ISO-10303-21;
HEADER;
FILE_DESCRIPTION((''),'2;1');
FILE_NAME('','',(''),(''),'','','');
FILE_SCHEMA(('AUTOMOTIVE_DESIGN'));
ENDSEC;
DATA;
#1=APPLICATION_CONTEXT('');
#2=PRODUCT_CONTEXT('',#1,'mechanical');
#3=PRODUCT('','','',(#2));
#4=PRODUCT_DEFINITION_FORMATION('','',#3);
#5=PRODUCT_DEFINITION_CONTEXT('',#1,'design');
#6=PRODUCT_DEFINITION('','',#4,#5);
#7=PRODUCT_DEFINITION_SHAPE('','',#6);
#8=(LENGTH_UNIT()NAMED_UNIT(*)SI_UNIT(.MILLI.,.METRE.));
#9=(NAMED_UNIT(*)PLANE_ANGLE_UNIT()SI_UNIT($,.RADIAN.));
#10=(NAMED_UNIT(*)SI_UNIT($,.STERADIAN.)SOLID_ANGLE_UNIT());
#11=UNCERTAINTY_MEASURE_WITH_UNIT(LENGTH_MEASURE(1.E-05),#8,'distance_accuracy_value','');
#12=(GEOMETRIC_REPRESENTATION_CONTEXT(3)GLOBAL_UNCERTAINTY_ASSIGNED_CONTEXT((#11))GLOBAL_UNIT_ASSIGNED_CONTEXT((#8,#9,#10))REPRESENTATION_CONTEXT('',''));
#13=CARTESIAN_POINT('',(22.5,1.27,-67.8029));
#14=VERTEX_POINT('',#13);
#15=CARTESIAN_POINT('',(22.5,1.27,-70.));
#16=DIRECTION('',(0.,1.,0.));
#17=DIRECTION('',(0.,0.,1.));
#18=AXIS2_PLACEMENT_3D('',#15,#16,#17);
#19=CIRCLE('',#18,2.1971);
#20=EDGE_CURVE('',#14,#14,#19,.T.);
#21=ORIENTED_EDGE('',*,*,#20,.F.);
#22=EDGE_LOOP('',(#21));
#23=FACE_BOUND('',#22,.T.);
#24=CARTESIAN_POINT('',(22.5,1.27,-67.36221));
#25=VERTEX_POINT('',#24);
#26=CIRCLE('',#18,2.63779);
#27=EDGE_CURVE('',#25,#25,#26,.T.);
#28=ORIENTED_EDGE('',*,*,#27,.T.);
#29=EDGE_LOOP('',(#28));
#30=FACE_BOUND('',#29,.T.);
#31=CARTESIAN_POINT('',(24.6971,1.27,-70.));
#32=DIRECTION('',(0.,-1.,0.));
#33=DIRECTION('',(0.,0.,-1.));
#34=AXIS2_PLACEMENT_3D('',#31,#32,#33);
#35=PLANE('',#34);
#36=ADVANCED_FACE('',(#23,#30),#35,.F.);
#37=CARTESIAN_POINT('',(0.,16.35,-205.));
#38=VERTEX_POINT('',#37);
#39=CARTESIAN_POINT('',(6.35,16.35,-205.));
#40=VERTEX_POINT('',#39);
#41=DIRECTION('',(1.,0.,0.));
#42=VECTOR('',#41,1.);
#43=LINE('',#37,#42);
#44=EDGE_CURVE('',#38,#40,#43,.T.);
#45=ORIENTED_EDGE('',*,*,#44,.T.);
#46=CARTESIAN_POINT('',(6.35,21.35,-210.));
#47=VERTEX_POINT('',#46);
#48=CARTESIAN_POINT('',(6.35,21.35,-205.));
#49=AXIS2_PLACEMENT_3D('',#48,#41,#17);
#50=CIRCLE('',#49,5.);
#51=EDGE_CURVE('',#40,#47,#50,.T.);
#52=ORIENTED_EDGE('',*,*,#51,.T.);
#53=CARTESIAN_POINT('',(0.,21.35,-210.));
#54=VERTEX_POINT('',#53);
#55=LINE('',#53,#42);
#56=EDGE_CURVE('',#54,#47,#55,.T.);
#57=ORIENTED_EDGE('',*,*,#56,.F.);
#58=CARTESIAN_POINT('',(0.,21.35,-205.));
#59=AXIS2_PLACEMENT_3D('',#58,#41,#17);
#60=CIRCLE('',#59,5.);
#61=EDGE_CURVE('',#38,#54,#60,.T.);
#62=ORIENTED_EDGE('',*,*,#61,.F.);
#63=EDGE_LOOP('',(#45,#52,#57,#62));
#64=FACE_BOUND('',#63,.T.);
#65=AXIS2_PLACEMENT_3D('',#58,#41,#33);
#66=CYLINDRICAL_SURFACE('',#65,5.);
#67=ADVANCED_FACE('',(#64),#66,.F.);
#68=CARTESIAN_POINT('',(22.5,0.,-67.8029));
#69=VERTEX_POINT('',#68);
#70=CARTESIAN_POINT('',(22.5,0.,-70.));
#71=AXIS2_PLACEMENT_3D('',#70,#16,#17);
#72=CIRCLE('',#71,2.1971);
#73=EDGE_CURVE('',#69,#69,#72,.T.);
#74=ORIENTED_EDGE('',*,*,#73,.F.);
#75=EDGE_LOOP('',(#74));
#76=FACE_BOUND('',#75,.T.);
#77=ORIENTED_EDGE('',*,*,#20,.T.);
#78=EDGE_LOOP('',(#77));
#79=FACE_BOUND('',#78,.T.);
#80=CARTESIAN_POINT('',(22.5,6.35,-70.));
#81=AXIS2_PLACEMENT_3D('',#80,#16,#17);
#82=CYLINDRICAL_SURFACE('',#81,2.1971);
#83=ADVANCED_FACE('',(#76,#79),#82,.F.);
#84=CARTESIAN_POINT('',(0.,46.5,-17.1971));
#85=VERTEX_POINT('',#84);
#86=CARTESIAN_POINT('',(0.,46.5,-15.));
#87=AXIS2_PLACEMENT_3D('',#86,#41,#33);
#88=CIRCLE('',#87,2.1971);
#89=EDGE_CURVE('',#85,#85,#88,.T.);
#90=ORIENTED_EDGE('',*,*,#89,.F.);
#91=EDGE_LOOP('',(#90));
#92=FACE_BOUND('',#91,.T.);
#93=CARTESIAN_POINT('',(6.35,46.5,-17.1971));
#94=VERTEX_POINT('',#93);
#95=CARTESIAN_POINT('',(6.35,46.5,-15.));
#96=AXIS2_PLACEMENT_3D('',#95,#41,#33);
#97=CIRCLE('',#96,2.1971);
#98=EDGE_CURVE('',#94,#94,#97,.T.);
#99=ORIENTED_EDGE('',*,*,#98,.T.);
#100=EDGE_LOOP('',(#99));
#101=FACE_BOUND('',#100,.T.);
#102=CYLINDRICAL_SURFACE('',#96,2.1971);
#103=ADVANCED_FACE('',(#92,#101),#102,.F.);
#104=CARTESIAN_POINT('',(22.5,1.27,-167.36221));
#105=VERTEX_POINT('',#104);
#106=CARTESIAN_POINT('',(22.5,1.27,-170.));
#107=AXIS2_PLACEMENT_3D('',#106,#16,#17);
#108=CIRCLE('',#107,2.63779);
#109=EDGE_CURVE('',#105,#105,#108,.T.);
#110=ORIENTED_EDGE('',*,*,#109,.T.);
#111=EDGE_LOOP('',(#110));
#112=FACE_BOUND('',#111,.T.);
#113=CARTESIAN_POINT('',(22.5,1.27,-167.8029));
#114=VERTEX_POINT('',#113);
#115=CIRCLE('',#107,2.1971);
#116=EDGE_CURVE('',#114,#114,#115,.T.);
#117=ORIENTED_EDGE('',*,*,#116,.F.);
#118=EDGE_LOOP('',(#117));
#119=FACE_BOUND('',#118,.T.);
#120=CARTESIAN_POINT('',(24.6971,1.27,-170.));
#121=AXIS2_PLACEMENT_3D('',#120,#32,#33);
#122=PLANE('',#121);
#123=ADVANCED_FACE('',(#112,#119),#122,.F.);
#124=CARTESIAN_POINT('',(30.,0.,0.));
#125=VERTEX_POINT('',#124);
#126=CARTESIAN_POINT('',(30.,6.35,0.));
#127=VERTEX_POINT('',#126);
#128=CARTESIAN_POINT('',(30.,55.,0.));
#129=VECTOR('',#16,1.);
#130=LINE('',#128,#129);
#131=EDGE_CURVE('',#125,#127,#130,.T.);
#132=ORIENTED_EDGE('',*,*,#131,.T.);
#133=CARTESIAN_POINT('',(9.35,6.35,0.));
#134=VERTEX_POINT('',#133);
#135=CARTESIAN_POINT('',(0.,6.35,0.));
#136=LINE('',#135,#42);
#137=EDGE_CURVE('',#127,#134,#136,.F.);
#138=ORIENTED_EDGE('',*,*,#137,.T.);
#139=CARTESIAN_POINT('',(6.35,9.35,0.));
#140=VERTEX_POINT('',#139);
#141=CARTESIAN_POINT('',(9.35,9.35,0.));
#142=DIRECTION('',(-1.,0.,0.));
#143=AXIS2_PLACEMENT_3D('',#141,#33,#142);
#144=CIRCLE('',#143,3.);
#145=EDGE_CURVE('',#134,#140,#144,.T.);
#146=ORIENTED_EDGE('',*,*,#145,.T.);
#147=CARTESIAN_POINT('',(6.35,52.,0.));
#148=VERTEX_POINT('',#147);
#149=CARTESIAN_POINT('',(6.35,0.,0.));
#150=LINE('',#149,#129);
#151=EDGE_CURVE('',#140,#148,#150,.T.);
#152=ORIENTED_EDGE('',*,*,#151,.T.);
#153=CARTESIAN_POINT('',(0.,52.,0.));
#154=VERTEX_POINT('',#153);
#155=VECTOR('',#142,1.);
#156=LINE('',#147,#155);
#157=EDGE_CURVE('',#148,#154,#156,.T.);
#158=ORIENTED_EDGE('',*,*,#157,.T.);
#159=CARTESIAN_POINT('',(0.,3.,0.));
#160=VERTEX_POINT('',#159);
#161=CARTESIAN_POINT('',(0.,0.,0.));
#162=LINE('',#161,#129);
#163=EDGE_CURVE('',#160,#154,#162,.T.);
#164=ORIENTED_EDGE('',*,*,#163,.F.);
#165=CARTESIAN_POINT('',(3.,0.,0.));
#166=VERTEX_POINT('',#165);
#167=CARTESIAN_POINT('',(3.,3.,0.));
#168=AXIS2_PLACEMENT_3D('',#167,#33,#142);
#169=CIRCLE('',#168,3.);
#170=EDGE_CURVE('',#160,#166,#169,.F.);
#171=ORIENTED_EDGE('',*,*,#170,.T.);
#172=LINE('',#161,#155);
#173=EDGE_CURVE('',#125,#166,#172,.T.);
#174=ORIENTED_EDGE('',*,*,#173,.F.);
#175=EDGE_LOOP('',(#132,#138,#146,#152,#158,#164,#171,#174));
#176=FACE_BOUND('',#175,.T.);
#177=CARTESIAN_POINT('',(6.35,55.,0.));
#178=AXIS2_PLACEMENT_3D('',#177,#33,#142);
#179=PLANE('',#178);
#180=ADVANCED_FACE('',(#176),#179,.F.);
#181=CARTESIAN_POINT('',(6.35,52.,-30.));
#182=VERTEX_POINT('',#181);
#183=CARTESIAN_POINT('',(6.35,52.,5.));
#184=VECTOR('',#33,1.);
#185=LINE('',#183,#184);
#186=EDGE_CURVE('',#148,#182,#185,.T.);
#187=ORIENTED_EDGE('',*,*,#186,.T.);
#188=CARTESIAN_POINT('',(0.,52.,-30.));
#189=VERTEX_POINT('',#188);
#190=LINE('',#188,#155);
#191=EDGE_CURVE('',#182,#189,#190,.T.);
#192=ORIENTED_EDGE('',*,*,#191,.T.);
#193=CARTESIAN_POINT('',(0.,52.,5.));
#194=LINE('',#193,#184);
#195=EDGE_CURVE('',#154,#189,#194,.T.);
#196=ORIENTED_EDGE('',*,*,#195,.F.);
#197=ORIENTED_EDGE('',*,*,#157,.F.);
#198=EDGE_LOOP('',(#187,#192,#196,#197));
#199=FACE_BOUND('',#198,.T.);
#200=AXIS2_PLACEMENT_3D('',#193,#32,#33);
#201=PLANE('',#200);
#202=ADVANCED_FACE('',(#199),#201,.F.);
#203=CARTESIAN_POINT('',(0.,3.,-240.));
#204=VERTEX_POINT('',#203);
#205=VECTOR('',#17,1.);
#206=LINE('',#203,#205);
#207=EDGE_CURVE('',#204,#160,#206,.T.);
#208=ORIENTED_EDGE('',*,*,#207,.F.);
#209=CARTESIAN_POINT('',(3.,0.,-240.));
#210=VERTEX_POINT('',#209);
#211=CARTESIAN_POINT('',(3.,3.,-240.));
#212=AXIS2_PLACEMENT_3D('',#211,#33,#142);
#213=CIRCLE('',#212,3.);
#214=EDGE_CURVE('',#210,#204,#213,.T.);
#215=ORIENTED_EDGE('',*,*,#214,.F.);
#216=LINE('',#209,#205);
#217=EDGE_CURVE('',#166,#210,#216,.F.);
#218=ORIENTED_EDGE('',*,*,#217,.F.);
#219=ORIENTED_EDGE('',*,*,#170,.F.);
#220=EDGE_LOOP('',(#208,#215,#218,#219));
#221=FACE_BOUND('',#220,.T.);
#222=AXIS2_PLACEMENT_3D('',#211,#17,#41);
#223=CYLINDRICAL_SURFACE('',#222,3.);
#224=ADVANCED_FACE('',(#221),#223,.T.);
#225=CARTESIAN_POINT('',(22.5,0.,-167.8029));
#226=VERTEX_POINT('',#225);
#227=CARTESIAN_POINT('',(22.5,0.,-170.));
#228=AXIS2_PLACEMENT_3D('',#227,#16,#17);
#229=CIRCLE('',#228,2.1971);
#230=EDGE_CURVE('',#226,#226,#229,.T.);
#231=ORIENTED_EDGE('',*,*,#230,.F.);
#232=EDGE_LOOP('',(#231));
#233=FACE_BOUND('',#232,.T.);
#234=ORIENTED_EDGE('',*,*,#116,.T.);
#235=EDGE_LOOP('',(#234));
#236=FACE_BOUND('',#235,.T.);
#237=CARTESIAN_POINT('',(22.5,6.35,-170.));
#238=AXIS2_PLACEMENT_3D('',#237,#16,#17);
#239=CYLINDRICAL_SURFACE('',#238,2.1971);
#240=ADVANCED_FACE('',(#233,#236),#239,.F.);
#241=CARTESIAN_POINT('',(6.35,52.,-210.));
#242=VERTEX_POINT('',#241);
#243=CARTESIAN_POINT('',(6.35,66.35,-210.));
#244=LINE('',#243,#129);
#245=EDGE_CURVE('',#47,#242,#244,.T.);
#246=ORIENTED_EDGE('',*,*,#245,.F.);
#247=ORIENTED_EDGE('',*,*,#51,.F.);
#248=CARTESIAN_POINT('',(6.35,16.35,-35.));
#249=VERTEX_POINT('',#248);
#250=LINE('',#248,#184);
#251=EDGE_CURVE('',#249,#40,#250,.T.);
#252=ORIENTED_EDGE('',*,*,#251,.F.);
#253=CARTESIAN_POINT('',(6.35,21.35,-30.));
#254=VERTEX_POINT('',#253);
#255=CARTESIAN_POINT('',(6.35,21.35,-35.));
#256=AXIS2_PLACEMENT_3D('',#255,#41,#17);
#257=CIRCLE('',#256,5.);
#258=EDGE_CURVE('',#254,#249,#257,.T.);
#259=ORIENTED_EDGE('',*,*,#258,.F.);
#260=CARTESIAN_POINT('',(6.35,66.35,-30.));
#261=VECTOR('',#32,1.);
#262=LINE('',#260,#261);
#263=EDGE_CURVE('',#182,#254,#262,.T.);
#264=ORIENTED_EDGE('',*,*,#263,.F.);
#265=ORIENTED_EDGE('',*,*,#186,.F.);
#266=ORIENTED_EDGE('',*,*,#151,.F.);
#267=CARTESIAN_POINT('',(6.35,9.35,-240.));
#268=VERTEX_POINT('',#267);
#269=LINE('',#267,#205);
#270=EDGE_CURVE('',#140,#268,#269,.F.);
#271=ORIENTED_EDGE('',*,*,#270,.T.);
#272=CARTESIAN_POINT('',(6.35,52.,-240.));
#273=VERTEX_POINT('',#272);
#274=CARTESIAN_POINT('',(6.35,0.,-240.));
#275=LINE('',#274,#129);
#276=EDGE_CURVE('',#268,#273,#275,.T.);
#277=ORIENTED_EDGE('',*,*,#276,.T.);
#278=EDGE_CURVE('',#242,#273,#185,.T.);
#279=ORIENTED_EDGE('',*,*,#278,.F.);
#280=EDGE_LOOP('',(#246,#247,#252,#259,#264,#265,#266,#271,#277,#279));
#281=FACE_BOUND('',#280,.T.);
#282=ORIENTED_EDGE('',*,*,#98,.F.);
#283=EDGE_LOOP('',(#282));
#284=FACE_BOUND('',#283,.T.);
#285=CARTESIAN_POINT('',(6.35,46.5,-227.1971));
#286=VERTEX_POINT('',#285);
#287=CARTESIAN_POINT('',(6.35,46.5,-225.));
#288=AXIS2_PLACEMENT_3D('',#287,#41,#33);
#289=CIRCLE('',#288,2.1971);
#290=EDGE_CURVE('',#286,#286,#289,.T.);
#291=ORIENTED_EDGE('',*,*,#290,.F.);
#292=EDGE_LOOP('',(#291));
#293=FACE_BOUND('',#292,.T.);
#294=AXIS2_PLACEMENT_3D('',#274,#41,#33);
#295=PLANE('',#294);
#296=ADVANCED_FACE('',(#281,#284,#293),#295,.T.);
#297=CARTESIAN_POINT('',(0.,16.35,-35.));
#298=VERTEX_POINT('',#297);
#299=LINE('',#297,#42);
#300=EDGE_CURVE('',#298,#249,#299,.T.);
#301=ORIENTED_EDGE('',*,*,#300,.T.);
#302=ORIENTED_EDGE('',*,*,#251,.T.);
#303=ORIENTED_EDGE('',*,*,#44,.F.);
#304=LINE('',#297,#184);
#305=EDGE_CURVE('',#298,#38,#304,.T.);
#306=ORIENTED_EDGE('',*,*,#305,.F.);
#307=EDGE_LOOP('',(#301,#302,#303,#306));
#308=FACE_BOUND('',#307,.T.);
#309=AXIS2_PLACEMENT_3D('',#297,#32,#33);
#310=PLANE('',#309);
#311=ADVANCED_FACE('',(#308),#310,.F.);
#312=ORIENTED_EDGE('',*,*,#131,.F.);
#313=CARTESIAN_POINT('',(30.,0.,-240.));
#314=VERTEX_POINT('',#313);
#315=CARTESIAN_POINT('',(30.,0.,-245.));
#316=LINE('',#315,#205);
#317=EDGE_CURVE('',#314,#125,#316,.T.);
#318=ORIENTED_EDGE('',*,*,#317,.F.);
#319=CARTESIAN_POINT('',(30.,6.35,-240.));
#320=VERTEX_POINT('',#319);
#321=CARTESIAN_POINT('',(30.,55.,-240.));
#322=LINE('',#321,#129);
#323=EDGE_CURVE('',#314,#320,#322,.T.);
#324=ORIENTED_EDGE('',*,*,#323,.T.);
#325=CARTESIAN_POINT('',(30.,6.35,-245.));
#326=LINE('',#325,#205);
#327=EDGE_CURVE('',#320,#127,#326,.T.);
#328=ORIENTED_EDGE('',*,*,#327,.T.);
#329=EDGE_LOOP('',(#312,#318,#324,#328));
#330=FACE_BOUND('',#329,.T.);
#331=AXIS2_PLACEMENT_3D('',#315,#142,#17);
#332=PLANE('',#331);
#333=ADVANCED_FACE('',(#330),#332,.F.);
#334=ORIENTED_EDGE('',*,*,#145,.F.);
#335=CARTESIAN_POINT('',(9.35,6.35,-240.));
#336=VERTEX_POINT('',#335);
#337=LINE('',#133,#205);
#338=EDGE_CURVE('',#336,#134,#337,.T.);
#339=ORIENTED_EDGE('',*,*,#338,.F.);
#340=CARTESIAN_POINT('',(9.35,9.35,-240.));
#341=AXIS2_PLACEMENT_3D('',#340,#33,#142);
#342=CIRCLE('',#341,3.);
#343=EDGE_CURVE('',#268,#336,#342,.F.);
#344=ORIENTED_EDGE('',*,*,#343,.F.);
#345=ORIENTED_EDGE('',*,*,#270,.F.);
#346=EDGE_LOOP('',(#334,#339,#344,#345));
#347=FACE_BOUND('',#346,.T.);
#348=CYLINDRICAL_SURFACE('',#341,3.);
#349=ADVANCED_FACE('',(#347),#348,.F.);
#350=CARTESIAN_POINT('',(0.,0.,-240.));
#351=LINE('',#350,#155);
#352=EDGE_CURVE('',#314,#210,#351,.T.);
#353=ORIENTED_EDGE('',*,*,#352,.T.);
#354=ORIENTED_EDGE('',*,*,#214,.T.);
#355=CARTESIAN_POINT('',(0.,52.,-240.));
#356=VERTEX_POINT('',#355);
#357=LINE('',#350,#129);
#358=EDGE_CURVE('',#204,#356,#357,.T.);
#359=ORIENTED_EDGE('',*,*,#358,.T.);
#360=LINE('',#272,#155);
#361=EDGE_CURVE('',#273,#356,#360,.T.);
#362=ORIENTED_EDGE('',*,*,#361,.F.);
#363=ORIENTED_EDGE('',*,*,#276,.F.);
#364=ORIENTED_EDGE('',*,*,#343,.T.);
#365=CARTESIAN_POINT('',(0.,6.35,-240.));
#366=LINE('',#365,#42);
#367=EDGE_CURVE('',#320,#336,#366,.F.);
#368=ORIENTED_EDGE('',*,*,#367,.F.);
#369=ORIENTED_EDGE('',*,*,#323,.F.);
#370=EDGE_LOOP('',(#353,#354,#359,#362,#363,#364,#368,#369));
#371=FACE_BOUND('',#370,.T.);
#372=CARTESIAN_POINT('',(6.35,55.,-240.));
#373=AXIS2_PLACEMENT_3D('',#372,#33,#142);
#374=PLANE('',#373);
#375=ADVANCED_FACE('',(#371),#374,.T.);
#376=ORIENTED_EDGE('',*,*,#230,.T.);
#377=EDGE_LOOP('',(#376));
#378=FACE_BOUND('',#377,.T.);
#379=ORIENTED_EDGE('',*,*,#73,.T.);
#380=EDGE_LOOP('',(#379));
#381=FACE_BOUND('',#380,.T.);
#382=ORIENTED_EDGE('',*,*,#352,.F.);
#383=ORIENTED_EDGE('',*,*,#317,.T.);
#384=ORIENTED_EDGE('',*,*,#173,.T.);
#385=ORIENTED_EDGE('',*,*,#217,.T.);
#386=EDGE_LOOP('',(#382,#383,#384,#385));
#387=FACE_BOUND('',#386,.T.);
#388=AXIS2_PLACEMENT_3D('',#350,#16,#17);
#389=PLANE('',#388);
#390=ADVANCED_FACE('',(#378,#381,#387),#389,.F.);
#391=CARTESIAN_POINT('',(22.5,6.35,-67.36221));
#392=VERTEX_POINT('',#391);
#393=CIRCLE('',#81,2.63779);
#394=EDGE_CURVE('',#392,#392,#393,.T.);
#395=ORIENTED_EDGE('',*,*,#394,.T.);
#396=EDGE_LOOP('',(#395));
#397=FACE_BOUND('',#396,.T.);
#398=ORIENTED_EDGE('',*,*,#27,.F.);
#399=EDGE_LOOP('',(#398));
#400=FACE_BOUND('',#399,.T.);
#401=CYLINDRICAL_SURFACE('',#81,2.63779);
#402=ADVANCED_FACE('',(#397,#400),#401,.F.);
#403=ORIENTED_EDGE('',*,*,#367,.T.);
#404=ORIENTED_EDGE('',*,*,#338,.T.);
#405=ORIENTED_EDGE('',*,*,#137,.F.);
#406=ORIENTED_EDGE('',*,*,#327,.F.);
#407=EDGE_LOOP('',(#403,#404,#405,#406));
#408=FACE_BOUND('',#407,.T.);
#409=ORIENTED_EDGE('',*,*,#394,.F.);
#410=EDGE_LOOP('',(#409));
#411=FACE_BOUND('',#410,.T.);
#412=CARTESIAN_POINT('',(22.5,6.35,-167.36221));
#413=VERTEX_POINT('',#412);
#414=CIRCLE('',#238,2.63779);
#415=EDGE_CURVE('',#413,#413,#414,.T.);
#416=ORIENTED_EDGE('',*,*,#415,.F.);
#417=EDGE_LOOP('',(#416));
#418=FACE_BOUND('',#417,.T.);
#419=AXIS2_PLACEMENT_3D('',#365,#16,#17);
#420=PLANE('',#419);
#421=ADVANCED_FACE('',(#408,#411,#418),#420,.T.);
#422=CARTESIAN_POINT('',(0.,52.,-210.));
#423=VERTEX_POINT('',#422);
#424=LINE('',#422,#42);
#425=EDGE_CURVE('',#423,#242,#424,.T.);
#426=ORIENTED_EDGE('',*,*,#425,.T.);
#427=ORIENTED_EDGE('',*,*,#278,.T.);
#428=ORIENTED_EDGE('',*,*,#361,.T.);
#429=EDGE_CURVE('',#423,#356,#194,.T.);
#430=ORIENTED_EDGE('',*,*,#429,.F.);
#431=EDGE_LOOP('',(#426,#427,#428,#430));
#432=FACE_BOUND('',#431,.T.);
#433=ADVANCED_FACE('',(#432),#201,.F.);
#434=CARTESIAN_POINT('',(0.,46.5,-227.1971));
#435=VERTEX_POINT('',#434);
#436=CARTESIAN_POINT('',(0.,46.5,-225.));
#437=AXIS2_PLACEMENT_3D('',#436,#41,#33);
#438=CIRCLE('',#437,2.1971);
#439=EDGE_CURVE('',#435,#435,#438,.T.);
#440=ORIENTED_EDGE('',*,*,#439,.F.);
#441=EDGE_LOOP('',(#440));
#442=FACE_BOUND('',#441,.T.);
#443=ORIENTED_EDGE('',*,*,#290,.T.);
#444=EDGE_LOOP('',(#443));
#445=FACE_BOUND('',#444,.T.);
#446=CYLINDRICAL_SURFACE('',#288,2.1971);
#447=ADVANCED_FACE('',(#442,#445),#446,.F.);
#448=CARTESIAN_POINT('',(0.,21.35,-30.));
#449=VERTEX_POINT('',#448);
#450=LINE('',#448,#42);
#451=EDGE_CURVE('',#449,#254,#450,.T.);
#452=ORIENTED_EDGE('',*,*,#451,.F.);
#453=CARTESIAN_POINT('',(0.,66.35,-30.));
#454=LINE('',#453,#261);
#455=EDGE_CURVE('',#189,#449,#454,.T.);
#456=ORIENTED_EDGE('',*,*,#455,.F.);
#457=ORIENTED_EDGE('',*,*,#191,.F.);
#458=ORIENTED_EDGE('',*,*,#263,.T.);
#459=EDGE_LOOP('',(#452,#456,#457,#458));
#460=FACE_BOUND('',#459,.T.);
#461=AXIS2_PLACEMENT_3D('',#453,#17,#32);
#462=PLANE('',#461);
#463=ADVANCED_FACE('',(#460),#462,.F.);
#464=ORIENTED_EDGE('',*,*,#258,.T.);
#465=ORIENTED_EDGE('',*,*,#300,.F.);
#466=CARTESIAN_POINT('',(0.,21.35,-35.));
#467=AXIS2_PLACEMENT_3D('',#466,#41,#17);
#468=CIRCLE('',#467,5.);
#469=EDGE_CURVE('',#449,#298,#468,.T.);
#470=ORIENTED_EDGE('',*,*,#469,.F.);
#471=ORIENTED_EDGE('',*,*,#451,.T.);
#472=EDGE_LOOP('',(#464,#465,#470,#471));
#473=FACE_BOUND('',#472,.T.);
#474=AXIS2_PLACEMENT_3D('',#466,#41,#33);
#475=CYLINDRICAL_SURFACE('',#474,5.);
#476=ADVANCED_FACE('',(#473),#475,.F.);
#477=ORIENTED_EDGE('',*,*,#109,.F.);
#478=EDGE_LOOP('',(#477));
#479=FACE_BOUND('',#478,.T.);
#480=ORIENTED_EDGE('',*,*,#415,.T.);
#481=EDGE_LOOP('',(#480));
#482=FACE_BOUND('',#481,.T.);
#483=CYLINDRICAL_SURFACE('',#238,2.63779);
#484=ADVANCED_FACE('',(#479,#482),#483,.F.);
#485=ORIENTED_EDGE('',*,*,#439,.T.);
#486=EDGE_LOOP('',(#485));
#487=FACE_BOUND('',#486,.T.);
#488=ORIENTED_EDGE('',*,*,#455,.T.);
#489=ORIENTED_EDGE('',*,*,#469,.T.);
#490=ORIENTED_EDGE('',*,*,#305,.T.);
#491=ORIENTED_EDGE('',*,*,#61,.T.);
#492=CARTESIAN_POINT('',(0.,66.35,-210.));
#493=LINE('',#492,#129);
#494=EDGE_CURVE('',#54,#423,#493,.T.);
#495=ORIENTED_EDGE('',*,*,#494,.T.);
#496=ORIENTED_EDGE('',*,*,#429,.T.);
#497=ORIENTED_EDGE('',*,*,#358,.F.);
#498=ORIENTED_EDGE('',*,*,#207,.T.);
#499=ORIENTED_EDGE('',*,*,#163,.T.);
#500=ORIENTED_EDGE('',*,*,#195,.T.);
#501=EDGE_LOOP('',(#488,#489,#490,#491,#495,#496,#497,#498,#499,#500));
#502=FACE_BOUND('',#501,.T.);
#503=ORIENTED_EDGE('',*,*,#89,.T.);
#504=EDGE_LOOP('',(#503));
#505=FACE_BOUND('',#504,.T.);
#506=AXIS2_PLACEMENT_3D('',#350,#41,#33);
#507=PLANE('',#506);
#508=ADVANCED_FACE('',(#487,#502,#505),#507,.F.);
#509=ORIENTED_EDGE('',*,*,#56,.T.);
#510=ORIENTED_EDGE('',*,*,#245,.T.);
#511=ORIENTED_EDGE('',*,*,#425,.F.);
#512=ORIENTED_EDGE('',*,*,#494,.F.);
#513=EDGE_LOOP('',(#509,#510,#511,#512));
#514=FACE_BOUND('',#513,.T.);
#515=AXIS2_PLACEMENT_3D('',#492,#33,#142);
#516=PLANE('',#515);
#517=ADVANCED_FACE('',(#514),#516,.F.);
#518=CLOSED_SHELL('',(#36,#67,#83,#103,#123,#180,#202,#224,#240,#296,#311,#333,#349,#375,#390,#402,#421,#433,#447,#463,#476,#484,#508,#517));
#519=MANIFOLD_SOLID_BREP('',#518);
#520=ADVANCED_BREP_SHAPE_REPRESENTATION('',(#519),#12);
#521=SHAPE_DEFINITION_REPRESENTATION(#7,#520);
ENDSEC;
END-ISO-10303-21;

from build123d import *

# Parameters (mm, degrees)
EXTRUDE_THIN1_DEPTH                        = 240
SKETCH3_W                                  = 35
SKETCH3_H                                  = 300
EXTRUDE2_DEPTH                             = 7.35
SKETCH7_W                                  = 300
SKETCH7_H                                  = 30
EXTRUDE4_DEPTH                             = 7.35
EXTRUDE5_DEPTH                             = 7.35
TAPPED_HOLE_FOR_8_32_HELICOIL1_D           = 4.3942
TAPPED_HOLE_FOR_8_32_HELICOIL2_D           = 4.3942
TAPPED_HOLE_FOR_8_32_HELICOIL2_DEPTH       = 11.1252
TAPPED_HOLE_FOR_8_32_HELICOIL2_CBORE_D     = 5.27558
TAPPED_HOLE_FOR_8_32_HELICOIL2_CBORE_DEPTH = 5.08
TAPPED_HOLE_FOR_8_32_HELICOIL2_TIP         = 1.320150866
FILLET5_R                                  = 3


with BuildPart() as part:
    # Sketch1 → Extrude-Thin1 (new body)
    with BuildSketch(Plane.XY):
        Polygon((0, 55), (0, 0), (50.8, 0), (50.8, 6.35), (6.35, 6.35), (6.35, 55), align=None)
    extrude(amount=-EXTRUDE_THIN1_DEPTH)

    # Sketch3 → Extrude2 (cut, through all)
    with BuildSketch(Plane(origin=(0, 6.35, 0), x_dir=(1, 0, 0), z_dir=(0, 1, 0))):
        with Locations((47.5, 95)):
            Rectangle(SKETCH3_W, SKETCH3_H)
    extrude(amount=-EXTRUDE2_DEPTH, mode=Mode.SUBTRACT)

    # Sketch7 → Extrude4 (cut, through all)
    with BuildSketch(Plane(origin=(6.35, 0, 0), x_dir=(0, 0, -1), z_dir=(1, 0, 0))):
        with Locations((145, 67)):
            Rectangle(SKETCH7_W, SKETCH7_H)
    extrude(amount=-EXTRUDE4_DEPTH, mode=Mode.SUBTRACT)

    # Sketch10 → Extrude5 (cut, through all)
    with BuildSketch(Plane(origin=(6.35, 0, 0), x_dir=(0, 0, -1), z_dir=(1, 0, 0))):
        with BuildLine():
            Line((30, 66.35), (210, 66.35))
            Line((210, 66.35), (210, 21.35))
            ThreePointArc((210, 21.35), (208.535533906, 17.814466094), (205, 16.35))
            Line((205, 16.35), (35, 16.35))
            ThreePointArc((35, 16.35), (31.464466094, 17.814466094), (30, 21.35))
            Line((30, 21.35), (30, 66.35))
        make_face()
    extrude(amount=-EXTRUDE5_DEPTH, mode=Mode.SUBTRACT)

    # Tapped Hole for #8-32 Helicoil1 (through all)
    with Locations(Plane(origin=(6.35, 46.5, -15), x_dir=(0, 0, 1), z_dir=(1, 0, 0))):
        with Locations((0, 0), (-210, 0)):
            Hole(TAPPED_HOLE_FOR_8_32_HELICOIL1_D / 2)

    # Tapped Hole for #8-32 Helicoil2
    with Locations(Plane(origin=(22.5, 6.35, -70), x_dir=(0, 0, 1), z_dir=(0, 1, 0))):
        with Locations((0, 0), (-100, 0)):
            CounterBoreHole(TAPPED_HOLE_FOR_8_32_HELICOIL2_D / 2, TAPPED_HOLE_FOR_8_32_HELICOIL2_CBORE_D / 2, TAPPED_HOLE_FOR_8_32_HELICOIL2_CBORE_DEPTH, depth=TAPPED_HOLE_FOR_8_32_HELICOIL2_DEPTH)
            with Locations((0, 0, -(TAPPED_HOLE_FOR_8_32_HELICOIL2_DEPTH + TAPPED_HOLE_FOR_8_32_HELICOIL2_TIP / 2))):  # 118° drill point
                Cone(0, TAPPED_HOLE_FOR_8_32_HELICOIL2_D / 2, TAPPED_HOLE_FOR_8_32_HELICOIL2_TIP, mode=Mode.SUBTRACT)

    # Fillet5
    fillet5_edges = [part.edges().sort_by_distance(p)[0] for p in [
        (6.35, 6.35, -120),
        (0, 0, -120),
    ]]
    fillet(fillet5_edges, radius=FILLET5_R)


solid = part.part
